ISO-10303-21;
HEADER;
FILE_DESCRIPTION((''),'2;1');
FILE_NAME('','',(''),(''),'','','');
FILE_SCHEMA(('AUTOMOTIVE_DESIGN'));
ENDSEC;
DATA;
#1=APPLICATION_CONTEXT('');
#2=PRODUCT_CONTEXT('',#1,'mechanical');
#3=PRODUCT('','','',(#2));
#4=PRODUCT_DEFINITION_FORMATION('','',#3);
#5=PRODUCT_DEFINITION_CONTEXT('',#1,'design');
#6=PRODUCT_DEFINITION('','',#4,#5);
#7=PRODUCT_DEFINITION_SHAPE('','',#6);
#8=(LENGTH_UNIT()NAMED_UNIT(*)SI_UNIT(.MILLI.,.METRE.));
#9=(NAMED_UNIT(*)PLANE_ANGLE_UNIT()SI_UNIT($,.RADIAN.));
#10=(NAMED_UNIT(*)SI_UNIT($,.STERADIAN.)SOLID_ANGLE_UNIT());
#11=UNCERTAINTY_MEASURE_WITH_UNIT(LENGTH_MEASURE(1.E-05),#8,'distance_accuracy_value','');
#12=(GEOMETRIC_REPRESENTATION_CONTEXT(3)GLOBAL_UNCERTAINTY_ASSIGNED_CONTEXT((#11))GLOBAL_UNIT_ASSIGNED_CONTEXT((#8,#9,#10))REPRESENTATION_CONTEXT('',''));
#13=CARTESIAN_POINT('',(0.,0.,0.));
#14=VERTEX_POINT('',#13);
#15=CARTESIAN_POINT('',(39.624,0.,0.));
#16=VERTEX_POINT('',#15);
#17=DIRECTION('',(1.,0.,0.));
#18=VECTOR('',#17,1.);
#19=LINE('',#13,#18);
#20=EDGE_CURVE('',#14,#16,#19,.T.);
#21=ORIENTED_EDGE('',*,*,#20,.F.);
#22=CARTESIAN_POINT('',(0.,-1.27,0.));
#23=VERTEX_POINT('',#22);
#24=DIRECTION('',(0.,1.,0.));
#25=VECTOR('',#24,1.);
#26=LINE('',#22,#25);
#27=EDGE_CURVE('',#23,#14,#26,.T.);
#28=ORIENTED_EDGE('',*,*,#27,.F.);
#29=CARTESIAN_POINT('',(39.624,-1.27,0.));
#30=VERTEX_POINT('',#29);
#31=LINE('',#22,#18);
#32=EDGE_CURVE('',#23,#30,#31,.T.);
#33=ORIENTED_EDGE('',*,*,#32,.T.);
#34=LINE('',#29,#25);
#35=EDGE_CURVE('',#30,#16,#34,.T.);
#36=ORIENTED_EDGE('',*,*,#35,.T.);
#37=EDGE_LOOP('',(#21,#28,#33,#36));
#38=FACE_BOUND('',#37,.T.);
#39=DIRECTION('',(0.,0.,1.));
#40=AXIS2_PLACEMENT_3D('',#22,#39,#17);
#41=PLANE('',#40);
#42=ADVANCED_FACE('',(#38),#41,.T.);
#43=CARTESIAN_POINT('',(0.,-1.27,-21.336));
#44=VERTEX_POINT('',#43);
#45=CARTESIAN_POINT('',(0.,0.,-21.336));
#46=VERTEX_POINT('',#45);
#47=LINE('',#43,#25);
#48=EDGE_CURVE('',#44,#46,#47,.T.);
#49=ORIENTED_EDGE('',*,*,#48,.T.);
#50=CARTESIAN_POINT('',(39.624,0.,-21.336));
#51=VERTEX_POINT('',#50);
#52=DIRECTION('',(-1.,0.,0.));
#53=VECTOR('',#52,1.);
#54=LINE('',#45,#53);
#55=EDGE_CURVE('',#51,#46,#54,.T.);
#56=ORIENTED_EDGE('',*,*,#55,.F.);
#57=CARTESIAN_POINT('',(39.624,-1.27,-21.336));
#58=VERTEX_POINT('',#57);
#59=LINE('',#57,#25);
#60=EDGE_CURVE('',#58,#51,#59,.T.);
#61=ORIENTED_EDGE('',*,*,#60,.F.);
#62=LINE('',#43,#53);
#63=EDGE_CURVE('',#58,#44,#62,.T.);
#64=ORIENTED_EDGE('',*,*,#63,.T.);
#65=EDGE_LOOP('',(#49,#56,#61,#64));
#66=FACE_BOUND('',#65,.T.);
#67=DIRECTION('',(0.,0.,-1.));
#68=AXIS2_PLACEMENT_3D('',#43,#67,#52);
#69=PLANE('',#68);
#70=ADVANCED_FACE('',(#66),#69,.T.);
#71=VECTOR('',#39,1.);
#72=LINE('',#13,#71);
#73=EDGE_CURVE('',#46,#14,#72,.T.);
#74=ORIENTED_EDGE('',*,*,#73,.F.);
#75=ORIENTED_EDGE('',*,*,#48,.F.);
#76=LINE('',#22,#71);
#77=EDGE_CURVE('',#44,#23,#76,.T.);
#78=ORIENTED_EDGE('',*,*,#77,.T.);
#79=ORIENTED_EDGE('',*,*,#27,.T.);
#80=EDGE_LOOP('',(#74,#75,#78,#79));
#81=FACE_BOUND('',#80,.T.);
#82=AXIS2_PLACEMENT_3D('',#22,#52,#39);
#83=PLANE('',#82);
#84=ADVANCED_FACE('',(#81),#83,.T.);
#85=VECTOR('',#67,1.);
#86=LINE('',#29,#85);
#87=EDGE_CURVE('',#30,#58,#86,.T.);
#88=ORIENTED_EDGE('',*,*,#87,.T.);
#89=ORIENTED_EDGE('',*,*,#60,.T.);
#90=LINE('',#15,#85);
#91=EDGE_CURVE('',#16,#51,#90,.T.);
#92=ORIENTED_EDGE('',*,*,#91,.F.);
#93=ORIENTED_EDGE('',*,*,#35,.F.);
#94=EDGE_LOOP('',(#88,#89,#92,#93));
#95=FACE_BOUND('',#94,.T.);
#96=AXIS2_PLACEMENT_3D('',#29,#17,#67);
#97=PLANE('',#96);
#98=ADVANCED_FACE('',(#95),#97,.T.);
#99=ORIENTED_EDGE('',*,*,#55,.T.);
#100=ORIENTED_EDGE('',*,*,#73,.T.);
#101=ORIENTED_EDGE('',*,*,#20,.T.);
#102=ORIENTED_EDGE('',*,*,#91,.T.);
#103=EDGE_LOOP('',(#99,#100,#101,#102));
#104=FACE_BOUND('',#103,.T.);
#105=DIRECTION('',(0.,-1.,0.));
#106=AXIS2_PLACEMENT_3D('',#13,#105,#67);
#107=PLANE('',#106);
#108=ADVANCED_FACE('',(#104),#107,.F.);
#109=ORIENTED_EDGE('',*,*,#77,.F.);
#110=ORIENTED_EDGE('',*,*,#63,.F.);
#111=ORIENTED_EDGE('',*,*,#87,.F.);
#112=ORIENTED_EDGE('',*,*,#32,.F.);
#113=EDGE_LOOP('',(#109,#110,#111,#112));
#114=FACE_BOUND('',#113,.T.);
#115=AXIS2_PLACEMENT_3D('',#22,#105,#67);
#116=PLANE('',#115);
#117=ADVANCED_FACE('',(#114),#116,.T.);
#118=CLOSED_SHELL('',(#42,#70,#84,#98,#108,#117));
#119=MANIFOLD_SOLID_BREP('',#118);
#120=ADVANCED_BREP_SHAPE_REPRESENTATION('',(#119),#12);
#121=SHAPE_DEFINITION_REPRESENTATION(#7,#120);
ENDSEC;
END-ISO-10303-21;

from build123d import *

# Parameters (mm, degrees)
SKETCH1_W           = 39.624
SKETCH1_H           = 21.336
BOSS_EXTRUDE1_DEPTH = 1.27


with BuildPart() as part:
    # Sketch1 → Boss-Extrude1 (new body)
    with BuildSketch(Plane(origin=(0, 0, 0), x_dir=(1, 0, 0), z_dir=(0, 1, 0))):
        with Locations((19.812, 10.668)):
            Rectangle(SKETCH1_W, SKETCH1_H)
    extrude(amount=-BOSS_EXTRUDE1_DEPTH)


solid = part.part
